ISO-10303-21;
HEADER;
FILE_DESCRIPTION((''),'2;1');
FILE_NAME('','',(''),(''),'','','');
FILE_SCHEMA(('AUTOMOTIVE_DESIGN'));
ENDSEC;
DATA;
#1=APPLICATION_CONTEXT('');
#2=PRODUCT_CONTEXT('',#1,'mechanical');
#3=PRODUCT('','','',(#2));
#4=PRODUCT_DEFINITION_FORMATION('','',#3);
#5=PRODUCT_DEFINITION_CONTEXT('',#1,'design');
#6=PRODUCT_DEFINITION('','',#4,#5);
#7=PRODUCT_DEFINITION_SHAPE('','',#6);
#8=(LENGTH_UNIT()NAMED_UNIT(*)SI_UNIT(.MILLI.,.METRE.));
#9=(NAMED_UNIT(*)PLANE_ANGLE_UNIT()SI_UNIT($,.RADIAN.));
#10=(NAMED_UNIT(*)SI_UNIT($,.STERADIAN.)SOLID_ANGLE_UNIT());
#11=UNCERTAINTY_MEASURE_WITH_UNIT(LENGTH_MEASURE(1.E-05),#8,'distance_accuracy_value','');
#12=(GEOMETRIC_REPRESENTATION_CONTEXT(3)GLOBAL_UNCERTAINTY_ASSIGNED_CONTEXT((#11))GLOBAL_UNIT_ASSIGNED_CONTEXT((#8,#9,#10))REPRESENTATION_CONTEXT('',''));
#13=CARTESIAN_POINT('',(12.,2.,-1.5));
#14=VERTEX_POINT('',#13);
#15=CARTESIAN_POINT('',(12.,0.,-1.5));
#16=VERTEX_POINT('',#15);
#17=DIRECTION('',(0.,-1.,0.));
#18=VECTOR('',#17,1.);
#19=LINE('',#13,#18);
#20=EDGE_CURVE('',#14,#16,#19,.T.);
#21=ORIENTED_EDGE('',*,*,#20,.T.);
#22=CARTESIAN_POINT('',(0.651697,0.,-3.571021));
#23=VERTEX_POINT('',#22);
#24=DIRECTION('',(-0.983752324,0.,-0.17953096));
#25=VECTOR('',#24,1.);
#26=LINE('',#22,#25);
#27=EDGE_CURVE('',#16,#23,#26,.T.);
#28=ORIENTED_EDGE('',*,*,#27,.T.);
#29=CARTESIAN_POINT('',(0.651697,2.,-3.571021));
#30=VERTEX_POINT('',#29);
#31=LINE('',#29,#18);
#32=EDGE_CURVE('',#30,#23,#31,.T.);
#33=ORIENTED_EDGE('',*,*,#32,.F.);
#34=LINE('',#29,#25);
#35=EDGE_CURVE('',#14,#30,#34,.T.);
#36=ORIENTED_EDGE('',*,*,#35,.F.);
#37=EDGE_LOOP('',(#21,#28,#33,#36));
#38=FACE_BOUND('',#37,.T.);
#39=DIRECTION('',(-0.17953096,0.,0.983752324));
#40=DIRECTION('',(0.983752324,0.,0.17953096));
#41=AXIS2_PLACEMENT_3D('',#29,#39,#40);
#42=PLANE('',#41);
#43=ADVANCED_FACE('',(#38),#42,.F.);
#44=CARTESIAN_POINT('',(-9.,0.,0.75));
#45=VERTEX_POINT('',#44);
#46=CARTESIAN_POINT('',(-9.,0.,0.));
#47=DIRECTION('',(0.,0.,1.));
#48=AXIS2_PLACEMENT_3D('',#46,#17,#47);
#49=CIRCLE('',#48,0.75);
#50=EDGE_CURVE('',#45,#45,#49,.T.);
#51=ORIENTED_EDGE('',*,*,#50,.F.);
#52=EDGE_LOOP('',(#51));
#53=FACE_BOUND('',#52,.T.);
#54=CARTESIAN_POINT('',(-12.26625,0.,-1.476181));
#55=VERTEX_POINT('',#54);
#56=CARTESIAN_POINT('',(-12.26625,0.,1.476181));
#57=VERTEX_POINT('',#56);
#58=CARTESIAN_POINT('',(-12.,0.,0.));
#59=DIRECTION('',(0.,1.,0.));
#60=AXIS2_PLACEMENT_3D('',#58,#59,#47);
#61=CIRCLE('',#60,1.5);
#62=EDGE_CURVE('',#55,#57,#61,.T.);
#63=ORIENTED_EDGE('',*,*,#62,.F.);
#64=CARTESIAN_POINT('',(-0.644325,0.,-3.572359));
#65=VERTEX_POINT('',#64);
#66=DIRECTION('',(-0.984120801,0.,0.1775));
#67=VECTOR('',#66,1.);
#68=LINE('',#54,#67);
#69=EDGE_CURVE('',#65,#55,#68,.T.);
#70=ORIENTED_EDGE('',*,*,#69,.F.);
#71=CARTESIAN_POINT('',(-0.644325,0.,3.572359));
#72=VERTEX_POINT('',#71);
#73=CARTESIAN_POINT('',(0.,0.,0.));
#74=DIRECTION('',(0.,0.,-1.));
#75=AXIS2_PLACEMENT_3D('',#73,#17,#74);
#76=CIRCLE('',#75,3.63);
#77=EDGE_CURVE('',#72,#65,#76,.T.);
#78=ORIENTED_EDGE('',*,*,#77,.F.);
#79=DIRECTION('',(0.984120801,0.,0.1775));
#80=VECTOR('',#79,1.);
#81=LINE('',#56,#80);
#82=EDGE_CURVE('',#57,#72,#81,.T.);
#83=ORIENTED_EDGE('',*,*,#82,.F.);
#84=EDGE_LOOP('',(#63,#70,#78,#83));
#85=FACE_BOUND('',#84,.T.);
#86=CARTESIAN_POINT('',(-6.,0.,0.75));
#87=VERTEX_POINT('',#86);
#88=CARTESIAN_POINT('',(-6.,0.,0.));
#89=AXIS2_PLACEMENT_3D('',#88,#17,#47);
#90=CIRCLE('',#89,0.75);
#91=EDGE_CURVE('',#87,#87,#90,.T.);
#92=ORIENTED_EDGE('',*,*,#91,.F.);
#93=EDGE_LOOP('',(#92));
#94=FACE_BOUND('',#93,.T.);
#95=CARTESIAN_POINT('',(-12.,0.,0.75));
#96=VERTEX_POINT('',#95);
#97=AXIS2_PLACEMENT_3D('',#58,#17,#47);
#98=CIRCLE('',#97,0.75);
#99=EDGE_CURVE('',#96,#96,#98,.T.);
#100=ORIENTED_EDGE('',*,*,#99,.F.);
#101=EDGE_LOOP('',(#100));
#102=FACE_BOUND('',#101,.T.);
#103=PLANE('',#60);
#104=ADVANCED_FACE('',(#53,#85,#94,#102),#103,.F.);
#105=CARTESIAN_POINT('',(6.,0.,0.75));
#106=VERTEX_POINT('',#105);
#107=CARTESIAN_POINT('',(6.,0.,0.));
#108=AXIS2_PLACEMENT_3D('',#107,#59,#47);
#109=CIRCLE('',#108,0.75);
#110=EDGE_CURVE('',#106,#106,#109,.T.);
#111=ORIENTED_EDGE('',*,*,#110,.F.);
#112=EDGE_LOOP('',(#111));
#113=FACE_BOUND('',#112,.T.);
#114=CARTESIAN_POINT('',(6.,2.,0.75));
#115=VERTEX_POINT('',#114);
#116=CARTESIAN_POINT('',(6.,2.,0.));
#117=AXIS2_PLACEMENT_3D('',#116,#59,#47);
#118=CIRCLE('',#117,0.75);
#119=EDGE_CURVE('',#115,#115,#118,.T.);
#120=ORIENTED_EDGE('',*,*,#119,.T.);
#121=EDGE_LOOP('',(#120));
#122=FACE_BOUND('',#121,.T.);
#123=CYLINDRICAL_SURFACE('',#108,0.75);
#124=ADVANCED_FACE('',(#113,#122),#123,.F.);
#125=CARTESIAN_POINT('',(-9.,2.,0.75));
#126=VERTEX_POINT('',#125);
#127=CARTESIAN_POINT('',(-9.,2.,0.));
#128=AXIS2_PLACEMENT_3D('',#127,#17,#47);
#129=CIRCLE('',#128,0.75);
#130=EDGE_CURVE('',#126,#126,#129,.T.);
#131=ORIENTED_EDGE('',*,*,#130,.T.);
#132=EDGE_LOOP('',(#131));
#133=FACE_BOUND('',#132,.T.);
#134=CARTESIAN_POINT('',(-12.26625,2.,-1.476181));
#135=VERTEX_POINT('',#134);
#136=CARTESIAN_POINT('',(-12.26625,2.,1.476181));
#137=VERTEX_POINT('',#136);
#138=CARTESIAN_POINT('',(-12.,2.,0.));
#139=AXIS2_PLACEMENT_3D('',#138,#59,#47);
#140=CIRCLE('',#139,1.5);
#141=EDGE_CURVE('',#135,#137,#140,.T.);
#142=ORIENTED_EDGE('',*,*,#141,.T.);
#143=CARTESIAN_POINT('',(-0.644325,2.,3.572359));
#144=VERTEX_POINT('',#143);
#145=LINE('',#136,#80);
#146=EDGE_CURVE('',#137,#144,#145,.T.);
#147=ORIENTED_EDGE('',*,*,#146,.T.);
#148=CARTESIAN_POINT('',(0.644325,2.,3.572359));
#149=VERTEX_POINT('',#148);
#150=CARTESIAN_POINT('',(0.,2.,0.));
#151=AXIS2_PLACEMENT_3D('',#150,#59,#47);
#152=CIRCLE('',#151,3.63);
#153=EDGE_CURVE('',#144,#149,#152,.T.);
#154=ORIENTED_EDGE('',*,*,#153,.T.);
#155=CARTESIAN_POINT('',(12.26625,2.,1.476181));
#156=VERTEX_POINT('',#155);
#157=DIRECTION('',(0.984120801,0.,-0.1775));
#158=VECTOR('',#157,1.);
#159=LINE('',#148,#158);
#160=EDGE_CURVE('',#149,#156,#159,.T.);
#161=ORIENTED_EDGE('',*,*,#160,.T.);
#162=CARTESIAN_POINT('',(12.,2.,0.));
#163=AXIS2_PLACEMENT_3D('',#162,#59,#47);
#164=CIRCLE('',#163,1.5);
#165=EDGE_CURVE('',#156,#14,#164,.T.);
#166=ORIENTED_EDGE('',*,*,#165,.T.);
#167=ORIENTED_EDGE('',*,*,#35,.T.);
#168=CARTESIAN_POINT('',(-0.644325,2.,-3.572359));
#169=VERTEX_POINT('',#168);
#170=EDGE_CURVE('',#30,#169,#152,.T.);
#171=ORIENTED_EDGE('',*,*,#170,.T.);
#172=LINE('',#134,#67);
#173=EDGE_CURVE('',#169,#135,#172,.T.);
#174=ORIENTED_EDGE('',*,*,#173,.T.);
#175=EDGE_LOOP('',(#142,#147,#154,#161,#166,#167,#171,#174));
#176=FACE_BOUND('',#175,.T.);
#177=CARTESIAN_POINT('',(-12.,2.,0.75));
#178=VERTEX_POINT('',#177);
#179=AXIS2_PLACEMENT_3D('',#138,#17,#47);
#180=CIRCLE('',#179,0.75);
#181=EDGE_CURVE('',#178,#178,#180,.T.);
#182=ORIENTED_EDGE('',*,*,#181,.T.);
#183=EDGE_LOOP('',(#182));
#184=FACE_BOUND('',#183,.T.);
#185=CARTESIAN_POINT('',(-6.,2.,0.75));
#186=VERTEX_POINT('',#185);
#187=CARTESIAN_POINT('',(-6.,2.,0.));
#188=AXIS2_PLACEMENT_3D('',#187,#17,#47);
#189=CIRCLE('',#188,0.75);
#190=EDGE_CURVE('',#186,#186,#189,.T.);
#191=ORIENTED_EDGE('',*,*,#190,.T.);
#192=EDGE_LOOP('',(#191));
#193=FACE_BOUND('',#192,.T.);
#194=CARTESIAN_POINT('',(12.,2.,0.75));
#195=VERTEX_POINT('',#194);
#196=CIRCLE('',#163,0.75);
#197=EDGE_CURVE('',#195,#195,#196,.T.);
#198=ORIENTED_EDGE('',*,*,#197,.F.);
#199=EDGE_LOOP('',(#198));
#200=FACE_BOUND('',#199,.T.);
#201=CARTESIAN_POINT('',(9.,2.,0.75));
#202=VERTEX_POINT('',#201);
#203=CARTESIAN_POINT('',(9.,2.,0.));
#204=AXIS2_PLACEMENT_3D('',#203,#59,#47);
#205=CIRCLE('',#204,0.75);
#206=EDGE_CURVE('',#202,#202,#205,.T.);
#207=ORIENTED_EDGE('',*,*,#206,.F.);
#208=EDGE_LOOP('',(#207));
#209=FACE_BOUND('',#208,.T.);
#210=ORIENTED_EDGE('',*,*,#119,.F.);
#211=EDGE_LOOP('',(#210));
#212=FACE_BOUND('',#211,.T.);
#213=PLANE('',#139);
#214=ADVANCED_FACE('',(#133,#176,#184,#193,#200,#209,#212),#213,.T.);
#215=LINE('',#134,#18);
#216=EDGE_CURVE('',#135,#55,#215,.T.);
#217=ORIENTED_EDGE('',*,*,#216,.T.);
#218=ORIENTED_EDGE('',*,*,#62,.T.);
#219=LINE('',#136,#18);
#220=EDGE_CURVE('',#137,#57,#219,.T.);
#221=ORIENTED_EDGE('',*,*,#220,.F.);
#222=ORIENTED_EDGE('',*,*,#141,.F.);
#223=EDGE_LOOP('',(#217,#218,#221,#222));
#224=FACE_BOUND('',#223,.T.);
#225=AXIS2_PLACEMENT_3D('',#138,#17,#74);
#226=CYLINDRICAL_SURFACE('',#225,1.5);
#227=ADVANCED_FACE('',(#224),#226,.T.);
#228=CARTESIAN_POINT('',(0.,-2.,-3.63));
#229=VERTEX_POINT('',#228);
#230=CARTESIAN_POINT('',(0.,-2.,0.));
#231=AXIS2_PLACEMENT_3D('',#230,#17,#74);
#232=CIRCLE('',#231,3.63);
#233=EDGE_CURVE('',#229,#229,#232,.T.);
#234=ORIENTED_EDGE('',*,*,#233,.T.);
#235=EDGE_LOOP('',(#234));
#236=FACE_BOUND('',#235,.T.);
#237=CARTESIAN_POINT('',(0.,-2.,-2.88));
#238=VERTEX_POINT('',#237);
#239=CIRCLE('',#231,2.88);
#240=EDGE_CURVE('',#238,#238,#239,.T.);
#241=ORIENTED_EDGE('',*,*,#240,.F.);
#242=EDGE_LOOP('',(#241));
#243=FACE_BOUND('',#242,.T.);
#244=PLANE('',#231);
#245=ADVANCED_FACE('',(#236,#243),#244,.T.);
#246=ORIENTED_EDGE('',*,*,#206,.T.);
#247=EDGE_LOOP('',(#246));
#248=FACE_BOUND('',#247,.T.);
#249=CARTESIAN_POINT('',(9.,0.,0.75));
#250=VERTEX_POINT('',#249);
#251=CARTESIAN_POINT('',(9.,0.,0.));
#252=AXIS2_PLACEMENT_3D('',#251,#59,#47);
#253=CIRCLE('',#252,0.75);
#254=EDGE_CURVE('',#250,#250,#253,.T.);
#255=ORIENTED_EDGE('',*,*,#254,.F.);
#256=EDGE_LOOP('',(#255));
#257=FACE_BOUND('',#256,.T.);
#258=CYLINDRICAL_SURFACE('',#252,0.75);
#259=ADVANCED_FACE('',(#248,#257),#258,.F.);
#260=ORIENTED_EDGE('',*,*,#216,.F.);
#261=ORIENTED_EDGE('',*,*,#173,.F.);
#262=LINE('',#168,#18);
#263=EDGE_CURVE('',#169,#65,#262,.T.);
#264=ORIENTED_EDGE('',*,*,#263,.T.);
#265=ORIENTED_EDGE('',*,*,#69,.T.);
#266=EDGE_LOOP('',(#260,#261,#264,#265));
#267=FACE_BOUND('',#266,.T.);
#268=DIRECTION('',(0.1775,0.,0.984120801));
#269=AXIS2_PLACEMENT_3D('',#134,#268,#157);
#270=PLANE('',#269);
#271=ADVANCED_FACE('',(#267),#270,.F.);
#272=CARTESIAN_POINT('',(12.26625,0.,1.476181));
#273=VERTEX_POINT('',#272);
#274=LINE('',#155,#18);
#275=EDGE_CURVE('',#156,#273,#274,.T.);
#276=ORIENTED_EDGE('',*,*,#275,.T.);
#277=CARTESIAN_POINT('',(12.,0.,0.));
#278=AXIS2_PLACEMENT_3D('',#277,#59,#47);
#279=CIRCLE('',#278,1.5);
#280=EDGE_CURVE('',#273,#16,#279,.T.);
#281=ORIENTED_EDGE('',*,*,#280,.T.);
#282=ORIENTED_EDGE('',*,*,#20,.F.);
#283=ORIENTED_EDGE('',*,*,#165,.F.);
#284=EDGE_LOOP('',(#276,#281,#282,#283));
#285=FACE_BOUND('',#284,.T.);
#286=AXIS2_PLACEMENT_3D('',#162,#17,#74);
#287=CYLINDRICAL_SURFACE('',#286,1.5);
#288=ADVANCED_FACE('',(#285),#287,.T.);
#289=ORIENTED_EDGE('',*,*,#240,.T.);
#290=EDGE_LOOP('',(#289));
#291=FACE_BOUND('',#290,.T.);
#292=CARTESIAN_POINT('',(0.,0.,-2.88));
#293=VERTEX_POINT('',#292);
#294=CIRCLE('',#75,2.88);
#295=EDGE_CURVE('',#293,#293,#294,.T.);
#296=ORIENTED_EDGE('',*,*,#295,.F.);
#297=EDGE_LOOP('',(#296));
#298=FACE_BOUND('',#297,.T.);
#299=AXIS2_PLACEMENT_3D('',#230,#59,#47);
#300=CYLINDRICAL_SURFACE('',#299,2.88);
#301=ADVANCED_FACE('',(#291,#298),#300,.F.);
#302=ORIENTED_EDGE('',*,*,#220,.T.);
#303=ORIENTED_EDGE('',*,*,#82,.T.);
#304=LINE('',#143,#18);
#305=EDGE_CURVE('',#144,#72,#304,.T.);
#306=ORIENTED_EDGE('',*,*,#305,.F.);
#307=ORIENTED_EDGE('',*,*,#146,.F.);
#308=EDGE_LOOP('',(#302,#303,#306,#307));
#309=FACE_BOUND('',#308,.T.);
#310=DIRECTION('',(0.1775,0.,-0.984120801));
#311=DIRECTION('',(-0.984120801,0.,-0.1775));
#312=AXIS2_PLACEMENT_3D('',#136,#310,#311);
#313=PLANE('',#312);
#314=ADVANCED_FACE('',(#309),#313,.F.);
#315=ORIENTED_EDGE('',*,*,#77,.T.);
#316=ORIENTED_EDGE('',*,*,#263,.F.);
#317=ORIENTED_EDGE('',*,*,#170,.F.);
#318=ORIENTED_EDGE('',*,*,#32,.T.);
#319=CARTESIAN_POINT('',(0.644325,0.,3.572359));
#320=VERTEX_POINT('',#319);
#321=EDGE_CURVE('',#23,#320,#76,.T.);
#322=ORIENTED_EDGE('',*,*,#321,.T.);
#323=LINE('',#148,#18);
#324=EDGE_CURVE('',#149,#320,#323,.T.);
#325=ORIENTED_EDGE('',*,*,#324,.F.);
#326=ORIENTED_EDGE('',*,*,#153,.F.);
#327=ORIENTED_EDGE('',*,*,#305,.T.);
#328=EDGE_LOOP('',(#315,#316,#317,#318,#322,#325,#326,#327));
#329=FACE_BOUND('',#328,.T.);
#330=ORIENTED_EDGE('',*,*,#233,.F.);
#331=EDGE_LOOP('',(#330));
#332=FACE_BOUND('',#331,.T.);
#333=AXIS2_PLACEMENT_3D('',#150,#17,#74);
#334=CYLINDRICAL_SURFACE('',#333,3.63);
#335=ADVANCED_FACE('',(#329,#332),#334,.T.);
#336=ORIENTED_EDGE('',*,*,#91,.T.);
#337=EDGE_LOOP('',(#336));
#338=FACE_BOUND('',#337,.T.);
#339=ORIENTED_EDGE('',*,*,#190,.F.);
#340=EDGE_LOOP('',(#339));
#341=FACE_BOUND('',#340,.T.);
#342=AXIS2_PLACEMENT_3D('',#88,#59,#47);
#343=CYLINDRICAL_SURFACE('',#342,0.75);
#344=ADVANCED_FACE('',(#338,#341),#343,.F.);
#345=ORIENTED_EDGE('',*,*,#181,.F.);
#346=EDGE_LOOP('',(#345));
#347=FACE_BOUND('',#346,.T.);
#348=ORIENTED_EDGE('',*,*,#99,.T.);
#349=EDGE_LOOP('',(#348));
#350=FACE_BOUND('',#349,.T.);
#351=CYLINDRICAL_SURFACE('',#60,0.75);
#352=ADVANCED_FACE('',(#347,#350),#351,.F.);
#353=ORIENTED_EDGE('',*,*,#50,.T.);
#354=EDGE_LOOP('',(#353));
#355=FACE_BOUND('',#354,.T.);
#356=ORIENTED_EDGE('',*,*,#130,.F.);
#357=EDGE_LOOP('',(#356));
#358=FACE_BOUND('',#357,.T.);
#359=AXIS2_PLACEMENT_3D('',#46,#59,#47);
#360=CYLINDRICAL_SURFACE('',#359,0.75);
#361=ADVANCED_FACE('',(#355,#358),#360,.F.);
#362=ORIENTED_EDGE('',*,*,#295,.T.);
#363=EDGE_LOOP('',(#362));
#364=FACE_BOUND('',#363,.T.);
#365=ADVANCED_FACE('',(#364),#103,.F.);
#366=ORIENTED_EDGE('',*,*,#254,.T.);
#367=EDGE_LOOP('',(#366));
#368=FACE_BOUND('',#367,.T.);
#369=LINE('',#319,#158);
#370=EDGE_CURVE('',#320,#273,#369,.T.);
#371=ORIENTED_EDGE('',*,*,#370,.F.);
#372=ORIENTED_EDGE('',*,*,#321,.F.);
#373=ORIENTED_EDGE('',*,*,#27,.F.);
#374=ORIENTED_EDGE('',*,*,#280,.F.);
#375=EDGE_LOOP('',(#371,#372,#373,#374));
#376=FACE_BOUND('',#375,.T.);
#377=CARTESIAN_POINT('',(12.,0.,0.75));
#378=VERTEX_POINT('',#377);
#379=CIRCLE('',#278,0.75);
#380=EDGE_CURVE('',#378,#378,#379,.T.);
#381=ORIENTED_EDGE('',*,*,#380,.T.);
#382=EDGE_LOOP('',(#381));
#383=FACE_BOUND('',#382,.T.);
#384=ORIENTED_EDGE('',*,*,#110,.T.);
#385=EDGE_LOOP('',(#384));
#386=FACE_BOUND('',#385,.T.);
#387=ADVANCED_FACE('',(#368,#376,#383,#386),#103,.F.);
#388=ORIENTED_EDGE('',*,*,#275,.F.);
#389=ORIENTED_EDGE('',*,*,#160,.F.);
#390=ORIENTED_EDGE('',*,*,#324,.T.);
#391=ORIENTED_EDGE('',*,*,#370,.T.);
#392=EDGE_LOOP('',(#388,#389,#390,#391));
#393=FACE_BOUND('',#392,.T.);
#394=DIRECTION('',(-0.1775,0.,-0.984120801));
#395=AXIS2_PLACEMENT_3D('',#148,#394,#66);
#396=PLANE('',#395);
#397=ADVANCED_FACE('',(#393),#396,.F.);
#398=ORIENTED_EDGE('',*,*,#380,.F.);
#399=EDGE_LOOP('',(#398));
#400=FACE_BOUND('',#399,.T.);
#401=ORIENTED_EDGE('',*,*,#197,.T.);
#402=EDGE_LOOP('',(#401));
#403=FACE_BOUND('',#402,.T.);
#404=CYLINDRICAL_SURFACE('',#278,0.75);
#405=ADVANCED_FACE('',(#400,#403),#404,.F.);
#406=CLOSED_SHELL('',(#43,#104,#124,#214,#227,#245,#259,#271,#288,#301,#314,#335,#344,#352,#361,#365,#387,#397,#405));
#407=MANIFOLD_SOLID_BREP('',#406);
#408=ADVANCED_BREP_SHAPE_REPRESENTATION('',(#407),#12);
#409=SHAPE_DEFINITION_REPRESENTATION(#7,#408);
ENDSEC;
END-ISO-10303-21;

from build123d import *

# Parameters (mm, degrees)
BOSS_EXTRUDE1_DEPTH = 2
SKETCH2_R           = 0.75
CUT_EXTRUDE1_DEPTH  = 15.121858943
BOSS_EXTRUDE2_START = 2
SKETCH4_R           = 3.63
SKETCH4_R_2         = 2.88
BOSS_EXTRUDE2_DEPTH = 2


with BuildPart() as part:
    # Sketch1 → Boss-Extrude1 (new body)
    with BuildSketch(Plane(origin=(0, 0, 0), x_dir=(1, 0, 0), z_dir=(0, 1, 0))):
        with BuildLine():
            Line((-12.26625, 1.476181201), (-0.644325, 3.572358506))
            ThreePointArc((-0.644325, 3.572358506), (0.003746369, 3.629998067), (0.651697383, 3.571020935))
            Line((0.651697383, 3.571020935), (12, 1.5))
            ThreePointArc((12, 1.5), (13.494033434, 0.133656648), (12.26625, -1.476181201))
            Line((12.26625, -1.476181201), (0.644325, -3.572358506))
            ThreePointArc((0.644325, -3.572358506), (0, -3.63), (-0.644325, -3.572358506))
            Line((-0.644325, -3.572358506), (-12.26625, -1.476181201))
            ThreePointArc((-12.26625, -1.476181201), (-13.5, 0), (-12.26625, 1.476181201))
        make_face()
    extrude(amount=BOSS_EXTRUDE1_DEPTH)

    # Sketch2 → Cut-Extrude1 (cut, through all)
    with BuildSketch(Plane(origin=(0, 2, 0), x_dir=(1, 0, 0), z_dir=(0, 1, 0))):
        with Locations(Location((12, 0, 0), (0, 0, 270))):
            Circle(SKETCH2_R)
        with Locations(Location((9, 0, 0), (0, 0, 270))):
            Circle(SKETCH2_R)
        with Locations(Location((6, 0, 0), (0, 0, 270))):
            Circle(SKETCH2_R)
    cut_extrude1 = extrude(amount=-CUT_EXTRUDE1_DEPTH, mode=Mode.SUBTRACT)

    # Mirror1: Cut-Extrude1 across plane
    add(cut_extrude1.mirror(Plane(origin=(0, 0, 0), x_dir=(0, 0, 1), z_dir=(1, 0, 0))), mode=Mode.SUBTRACT)

    # Sketch4 → Boss-Extrude2 (add)
    with BuildSketch(Plane.XZ.offset(BOSS_EXTRUDE2_START)):
        with Locations(Location((0, 0, 0), (0, 0, 270))):
            Circle(SKETCH4_R)
        with Locations(Location((0, 0, 0), (0, 0, 270))):
            Circle(SKETCH4_R_2, mode=Mode.SUBTRACT)
    extrude(amount=-BOSS_EXTRUDE2_DEPTH)


solid = part.part
